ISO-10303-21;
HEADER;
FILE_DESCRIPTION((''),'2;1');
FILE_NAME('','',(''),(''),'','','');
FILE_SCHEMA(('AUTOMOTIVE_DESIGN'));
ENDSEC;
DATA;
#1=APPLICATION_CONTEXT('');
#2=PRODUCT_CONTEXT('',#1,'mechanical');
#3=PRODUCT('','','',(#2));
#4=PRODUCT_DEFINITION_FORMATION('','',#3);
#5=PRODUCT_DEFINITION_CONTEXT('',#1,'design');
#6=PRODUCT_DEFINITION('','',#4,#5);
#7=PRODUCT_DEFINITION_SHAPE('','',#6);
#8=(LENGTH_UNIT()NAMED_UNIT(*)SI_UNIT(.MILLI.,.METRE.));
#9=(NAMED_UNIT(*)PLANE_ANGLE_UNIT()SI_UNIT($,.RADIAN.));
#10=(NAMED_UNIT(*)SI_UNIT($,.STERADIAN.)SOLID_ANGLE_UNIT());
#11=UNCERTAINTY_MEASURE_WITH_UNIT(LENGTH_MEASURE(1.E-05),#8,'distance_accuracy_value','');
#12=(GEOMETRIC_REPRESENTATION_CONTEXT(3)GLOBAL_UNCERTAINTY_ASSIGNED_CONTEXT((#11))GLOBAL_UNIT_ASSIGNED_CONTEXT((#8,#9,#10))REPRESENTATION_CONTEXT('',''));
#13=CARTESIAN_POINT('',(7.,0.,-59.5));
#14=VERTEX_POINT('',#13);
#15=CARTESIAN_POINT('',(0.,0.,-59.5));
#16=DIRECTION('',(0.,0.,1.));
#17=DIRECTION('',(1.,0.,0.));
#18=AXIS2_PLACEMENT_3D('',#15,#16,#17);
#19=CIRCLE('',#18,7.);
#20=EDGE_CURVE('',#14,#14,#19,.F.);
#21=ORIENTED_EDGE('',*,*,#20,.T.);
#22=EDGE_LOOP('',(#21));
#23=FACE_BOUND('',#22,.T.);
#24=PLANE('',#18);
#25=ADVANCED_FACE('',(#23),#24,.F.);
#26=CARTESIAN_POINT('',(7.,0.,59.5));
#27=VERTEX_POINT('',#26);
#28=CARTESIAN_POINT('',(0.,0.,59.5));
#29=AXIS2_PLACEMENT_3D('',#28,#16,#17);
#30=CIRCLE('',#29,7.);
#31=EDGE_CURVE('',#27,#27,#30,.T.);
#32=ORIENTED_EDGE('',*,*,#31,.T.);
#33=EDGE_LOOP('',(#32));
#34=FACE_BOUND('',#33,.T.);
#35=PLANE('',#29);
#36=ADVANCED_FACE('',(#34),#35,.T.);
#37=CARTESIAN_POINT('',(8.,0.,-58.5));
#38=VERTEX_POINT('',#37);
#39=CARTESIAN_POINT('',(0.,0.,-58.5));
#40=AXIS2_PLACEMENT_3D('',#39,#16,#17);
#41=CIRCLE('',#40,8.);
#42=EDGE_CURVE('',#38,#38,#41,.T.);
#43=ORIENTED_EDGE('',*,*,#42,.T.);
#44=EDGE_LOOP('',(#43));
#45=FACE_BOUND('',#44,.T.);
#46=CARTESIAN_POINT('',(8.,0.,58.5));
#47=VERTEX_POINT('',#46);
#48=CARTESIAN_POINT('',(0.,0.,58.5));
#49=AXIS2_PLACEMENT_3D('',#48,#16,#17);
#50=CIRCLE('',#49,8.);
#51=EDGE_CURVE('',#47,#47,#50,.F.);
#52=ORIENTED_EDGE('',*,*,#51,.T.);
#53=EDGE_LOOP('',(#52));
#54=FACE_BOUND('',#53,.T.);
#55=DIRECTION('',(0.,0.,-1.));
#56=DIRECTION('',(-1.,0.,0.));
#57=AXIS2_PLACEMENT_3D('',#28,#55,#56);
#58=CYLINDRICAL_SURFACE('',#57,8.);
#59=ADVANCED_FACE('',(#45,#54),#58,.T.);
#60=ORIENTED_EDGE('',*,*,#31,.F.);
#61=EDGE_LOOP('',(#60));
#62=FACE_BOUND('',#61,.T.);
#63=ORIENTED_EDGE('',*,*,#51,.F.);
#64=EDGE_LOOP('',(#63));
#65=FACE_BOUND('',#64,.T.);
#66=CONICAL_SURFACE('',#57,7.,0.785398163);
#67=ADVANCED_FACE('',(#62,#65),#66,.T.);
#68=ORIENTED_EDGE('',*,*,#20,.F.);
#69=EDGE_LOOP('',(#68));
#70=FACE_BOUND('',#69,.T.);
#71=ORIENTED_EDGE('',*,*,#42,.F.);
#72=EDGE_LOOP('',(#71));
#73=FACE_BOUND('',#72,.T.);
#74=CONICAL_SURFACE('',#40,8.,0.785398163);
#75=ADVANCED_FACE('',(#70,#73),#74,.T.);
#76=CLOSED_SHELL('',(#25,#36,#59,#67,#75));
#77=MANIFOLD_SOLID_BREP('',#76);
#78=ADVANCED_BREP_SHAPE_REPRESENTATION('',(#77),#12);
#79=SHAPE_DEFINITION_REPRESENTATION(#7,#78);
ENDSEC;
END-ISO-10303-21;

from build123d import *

# Parameters (mm, degrees)
SKETCH2_R           = 8
BOSS_EXTRUDE1_DEPTH = 59.5
CHAMFER1_SIZE       = 1


with BuildPart() as part:
    # Sketch2 → Boss-Extrude1 (new body, symmetric)
    with BuildSketch(Plane.XY):
        Circle(SKETCH2_R)
    extrude(amount=BOSS_EXTRUDE1_DEPTH, both=True)

    # Chamfer1
    chamfer1_edges = [part.edges().sort_by_distance(p)[0] for p in [
        (-8, 0, -59.5),
        (-8, 0, 59.5),
    ]]
    chamfer(chamfer1_edges, length=CHAMFER1_SIZE)


solid = part.part
